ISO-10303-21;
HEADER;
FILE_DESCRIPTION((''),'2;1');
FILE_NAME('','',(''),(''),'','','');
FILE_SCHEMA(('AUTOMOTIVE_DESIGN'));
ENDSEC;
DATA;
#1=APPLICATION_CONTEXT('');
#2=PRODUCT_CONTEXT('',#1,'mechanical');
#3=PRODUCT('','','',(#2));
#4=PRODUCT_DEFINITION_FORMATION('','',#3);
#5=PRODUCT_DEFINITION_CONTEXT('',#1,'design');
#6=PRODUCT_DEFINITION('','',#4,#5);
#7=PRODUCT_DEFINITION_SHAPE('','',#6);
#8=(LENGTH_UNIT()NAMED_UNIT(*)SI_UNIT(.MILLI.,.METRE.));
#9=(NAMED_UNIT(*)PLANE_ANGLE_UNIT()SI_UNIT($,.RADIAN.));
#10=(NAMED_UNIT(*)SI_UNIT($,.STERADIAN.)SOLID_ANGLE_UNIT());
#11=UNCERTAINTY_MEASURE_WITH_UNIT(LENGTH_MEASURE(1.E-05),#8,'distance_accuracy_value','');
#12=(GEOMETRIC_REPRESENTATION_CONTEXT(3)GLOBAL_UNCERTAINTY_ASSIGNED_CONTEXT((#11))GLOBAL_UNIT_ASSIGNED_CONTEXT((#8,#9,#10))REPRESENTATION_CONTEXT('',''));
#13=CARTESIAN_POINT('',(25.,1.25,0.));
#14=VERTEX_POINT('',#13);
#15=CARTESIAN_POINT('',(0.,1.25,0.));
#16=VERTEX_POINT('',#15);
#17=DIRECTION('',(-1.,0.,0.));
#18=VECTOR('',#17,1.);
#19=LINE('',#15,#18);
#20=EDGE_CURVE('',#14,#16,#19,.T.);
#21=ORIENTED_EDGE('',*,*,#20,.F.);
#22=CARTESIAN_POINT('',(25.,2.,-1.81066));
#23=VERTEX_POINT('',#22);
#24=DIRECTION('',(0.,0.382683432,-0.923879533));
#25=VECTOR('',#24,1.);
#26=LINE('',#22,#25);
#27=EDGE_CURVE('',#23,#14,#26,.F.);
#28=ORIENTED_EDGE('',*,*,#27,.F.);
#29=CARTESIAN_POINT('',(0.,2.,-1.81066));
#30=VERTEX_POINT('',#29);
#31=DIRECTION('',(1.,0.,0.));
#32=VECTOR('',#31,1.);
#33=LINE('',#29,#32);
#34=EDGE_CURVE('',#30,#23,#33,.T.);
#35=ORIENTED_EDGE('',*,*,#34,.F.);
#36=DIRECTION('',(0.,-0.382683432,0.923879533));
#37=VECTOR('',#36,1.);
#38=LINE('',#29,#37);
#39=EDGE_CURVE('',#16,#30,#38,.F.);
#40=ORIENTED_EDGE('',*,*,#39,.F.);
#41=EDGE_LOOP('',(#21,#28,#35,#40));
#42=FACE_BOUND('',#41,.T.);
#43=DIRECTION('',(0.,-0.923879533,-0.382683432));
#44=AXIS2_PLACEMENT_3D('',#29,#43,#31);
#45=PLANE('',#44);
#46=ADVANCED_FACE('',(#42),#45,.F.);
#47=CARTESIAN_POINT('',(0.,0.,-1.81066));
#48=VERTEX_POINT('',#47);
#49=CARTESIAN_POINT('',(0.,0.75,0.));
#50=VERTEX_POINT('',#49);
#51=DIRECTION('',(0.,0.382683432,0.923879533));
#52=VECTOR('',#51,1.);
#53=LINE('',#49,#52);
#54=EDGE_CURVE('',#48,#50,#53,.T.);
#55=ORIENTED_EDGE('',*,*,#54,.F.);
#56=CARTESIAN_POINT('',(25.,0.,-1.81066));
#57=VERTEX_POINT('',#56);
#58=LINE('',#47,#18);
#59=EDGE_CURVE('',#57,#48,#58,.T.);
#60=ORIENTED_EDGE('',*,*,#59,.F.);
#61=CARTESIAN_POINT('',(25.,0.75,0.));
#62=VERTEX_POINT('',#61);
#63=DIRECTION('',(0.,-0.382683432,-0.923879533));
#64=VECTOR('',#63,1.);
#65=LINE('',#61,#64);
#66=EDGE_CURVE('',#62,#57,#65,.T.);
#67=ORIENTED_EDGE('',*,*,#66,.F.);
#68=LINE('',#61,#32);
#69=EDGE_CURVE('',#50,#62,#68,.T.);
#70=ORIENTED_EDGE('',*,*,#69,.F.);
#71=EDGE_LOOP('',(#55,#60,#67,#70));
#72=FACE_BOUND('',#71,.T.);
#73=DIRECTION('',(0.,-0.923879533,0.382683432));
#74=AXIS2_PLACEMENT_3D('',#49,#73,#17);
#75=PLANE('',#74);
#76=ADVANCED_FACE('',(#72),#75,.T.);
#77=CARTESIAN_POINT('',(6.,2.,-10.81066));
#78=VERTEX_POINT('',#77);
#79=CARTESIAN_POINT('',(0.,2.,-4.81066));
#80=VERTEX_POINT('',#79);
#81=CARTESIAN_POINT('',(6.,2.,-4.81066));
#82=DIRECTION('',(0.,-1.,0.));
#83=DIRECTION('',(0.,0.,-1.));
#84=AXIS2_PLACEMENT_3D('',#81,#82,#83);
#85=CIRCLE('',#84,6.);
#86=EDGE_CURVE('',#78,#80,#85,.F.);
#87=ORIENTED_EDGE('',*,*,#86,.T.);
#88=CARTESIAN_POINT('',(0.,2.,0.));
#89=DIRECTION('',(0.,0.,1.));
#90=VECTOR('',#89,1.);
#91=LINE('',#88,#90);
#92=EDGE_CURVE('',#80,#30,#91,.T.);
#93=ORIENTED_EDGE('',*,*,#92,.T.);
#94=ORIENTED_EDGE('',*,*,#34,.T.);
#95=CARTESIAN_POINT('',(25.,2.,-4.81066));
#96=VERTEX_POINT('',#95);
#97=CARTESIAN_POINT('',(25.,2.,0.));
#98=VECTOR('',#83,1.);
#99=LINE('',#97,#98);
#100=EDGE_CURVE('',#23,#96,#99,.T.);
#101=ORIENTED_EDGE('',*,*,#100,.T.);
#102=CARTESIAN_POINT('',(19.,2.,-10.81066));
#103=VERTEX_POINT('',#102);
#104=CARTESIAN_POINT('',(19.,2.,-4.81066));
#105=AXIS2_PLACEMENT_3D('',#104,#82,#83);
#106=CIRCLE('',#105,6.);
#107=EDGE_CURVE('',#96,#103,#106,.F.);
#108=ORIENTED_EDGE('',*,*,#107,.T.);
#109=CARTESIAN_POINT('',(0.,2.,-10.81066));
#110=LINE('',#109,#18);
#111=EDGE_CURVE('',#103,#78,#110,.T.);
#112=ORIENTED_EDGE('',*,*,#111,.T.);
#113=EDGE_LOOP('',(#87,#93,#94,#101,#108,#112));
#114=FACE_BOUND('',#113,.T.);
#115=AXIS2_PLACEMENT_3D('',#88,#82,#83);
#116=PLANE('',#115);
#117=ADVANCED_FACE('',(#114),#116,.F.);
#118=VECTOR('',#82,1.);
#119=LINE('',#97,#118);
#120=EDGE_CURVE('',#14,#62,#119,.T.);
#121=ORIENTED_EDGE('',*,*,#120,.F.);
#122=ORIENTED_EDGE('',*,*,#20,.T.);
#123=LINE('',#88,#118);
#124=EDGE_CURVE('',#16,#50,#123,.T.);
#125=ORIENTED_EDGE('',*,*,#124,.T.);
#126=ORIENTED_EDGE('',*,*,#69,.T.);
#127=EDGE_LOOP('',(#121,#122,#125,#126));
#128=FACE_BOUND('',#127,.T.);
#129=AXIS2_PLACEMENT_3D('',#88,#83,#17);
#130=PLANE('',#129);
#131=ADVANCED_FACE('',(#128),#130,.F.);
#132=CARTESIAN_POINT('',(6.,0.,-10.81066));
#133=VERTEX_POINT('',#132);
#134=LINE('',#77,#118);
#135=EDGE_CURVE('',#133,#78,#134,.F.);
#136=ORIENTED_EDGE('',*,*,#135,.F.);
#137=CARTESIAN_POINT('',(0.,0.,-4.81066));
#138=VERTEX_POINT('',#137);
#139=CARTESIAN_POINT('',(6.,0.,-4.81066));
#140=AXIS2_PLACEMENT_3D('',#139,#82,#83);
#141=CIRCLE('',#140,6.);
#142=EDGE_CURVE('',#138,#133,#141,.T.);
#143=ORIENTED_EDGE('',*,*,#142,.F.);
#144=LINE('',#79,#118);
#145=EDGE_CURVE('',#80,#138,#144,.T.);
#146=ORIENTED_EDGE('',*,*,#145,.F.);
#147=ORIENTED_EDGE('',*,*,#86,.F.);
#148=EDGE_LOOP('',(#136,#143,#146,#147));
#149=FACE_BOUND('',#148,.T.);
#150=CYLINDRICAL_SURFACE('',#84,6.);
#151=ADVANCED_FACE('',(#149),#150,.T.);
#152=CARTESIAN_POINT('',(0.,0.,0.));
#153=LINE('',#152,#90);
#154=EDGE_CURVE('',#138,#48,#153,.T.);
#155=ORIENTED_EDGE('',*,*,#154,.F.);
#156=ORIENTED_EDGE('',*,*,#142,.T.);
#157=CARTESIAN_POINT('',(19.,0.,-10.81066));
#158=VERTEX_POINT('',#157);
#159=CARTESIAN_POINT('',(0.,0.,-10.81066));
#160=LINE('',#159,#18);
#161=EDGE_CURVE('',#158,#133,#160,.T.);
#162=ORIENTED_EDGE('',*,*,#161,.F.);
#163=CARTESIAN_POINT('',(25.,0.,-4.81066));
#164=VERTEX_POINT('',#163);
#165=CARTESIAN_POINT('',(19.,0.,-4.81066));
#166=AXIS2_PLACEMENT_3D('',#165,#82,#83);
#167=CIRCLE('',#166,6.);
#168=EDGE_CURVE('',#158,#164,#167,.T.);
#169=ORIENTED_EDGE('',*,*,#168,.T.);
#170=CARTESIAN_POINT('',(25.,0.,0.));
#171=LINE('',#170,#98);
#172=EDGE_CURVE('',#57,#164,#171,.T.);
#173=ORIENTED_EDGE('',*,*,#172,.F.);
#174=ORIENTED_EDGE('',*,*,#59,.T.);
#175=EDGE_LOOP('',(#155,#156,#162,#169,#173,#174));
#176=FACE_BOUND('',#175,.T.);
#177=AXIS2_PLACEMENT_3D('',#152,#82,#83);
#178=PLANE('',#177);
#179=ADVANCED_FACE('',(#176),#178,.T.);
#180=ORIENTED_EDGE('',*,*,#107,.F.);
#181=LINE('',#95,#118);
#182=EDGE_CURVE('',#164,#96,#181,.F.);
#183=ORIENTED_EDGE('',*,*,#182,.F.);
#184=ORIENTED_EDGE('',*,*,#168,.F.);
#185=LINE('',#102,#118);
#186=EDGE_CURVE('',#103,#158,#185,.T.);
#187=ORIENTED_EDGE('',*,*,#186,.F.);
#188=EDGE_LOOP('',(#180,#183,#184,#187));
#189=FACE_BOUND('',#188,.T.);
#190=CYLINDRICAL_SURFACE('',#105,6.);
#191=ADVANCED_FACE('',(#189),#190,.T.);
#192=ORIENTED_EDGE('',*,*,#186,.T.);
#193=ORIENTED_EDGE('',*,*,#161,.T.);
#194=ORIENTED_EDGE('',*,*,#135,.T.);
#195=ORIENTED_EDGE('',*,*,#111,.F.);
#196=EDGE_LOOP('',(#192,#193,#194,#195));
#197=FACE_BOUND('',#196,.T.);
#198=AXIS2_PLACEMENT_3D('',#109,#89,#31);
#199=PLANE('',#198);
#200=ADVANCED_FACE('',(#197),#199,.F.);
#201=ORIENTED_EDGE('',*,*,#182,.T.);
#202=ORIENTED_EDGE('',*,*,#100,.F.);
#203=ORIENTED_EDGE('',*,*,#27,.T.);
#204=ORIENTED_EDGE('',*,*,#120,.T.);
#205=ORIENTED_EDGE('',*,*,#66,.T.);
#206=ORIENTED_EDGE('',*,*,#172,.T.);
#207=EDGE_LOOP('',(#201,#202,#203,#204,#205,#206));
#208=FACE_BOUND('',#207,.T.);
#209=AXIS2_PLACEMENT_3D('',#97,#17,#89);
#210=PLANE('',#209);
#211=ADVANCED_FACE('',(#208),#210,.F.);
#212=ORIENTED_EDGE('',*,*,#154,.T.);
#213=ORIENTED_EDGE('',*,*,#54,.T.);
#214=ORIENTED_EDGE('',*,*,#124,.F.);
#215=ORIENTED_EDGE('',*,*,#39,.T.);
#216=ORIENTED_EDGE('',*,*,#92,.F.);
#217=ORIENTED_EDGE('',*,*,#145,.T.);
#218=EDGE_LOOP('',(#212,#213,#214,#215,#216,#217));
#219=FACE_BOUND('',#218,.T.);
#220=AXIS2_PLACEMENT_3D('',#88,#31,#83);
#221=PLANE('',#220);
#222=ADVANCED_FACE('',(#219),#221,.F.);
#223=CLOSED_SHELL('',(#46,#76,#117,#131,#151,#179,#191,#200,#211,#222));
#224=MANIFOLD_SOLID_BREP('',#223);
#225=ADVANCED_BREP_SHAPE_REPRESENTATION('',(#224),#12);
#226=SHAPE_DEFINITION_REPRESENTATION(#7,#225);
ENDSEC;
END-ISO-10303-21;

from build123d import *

# Parameters (mm, degrees)
PROFILE_SKETCH_W         = 25
PROFILE_SKETCH_H         = 10.810660172
THICKNESS_EXTRUDE_DEPTH  = 2
FILLETS_R                = 6
CONNECTION_CHAMFER_SIZE  = 0.75
CONNECTION_CHAMFER_SIZE2 = 1.810660172


with BuildPart() as part:
    # Profile Sketch → Thickness Extrude (new body)
    with BuildSketch(Plane(origin=(0, 0, 0), x_dir=(1, 0, 0), z_dir=(0, 1, 0))):
        with Locations((12.5, 5.405330086)):
            Rectangle(PROFILE_SKETCH_W, PROFILE_SKETCH_H)
    extrude(amount=THICKNESS_EXTRUDE_DEPTH)

    # Fillets
    fillets_edges = [part.edges().sort_by_distance(p)[0] for p in [
        (0, 1, -10.810660172),
        (25, 1, -10.810660172),
    ]]
    fillet(fillets_edges, radius=FILLETS_R)

    # Connection Chamfer
    connection_chamfer_edges = [part.edges().sort_by_distance(p)[0] for p in [
        (12.5, 0, 0),
        (12.5, 2, 0),
    ]]
    connection_chamfer_side = [part.faces().sort_by_distance(p)[0] for p in [
        (12.5, 1, 0),
    ]]
    chamfer(connection_chamfer_edges, length=CONNECTION_CHAMFER_SIZE, length2=CONNECTION_CHAMFER_SIZE2, reference=connection_chamfer_side[0])


solid = part.part
